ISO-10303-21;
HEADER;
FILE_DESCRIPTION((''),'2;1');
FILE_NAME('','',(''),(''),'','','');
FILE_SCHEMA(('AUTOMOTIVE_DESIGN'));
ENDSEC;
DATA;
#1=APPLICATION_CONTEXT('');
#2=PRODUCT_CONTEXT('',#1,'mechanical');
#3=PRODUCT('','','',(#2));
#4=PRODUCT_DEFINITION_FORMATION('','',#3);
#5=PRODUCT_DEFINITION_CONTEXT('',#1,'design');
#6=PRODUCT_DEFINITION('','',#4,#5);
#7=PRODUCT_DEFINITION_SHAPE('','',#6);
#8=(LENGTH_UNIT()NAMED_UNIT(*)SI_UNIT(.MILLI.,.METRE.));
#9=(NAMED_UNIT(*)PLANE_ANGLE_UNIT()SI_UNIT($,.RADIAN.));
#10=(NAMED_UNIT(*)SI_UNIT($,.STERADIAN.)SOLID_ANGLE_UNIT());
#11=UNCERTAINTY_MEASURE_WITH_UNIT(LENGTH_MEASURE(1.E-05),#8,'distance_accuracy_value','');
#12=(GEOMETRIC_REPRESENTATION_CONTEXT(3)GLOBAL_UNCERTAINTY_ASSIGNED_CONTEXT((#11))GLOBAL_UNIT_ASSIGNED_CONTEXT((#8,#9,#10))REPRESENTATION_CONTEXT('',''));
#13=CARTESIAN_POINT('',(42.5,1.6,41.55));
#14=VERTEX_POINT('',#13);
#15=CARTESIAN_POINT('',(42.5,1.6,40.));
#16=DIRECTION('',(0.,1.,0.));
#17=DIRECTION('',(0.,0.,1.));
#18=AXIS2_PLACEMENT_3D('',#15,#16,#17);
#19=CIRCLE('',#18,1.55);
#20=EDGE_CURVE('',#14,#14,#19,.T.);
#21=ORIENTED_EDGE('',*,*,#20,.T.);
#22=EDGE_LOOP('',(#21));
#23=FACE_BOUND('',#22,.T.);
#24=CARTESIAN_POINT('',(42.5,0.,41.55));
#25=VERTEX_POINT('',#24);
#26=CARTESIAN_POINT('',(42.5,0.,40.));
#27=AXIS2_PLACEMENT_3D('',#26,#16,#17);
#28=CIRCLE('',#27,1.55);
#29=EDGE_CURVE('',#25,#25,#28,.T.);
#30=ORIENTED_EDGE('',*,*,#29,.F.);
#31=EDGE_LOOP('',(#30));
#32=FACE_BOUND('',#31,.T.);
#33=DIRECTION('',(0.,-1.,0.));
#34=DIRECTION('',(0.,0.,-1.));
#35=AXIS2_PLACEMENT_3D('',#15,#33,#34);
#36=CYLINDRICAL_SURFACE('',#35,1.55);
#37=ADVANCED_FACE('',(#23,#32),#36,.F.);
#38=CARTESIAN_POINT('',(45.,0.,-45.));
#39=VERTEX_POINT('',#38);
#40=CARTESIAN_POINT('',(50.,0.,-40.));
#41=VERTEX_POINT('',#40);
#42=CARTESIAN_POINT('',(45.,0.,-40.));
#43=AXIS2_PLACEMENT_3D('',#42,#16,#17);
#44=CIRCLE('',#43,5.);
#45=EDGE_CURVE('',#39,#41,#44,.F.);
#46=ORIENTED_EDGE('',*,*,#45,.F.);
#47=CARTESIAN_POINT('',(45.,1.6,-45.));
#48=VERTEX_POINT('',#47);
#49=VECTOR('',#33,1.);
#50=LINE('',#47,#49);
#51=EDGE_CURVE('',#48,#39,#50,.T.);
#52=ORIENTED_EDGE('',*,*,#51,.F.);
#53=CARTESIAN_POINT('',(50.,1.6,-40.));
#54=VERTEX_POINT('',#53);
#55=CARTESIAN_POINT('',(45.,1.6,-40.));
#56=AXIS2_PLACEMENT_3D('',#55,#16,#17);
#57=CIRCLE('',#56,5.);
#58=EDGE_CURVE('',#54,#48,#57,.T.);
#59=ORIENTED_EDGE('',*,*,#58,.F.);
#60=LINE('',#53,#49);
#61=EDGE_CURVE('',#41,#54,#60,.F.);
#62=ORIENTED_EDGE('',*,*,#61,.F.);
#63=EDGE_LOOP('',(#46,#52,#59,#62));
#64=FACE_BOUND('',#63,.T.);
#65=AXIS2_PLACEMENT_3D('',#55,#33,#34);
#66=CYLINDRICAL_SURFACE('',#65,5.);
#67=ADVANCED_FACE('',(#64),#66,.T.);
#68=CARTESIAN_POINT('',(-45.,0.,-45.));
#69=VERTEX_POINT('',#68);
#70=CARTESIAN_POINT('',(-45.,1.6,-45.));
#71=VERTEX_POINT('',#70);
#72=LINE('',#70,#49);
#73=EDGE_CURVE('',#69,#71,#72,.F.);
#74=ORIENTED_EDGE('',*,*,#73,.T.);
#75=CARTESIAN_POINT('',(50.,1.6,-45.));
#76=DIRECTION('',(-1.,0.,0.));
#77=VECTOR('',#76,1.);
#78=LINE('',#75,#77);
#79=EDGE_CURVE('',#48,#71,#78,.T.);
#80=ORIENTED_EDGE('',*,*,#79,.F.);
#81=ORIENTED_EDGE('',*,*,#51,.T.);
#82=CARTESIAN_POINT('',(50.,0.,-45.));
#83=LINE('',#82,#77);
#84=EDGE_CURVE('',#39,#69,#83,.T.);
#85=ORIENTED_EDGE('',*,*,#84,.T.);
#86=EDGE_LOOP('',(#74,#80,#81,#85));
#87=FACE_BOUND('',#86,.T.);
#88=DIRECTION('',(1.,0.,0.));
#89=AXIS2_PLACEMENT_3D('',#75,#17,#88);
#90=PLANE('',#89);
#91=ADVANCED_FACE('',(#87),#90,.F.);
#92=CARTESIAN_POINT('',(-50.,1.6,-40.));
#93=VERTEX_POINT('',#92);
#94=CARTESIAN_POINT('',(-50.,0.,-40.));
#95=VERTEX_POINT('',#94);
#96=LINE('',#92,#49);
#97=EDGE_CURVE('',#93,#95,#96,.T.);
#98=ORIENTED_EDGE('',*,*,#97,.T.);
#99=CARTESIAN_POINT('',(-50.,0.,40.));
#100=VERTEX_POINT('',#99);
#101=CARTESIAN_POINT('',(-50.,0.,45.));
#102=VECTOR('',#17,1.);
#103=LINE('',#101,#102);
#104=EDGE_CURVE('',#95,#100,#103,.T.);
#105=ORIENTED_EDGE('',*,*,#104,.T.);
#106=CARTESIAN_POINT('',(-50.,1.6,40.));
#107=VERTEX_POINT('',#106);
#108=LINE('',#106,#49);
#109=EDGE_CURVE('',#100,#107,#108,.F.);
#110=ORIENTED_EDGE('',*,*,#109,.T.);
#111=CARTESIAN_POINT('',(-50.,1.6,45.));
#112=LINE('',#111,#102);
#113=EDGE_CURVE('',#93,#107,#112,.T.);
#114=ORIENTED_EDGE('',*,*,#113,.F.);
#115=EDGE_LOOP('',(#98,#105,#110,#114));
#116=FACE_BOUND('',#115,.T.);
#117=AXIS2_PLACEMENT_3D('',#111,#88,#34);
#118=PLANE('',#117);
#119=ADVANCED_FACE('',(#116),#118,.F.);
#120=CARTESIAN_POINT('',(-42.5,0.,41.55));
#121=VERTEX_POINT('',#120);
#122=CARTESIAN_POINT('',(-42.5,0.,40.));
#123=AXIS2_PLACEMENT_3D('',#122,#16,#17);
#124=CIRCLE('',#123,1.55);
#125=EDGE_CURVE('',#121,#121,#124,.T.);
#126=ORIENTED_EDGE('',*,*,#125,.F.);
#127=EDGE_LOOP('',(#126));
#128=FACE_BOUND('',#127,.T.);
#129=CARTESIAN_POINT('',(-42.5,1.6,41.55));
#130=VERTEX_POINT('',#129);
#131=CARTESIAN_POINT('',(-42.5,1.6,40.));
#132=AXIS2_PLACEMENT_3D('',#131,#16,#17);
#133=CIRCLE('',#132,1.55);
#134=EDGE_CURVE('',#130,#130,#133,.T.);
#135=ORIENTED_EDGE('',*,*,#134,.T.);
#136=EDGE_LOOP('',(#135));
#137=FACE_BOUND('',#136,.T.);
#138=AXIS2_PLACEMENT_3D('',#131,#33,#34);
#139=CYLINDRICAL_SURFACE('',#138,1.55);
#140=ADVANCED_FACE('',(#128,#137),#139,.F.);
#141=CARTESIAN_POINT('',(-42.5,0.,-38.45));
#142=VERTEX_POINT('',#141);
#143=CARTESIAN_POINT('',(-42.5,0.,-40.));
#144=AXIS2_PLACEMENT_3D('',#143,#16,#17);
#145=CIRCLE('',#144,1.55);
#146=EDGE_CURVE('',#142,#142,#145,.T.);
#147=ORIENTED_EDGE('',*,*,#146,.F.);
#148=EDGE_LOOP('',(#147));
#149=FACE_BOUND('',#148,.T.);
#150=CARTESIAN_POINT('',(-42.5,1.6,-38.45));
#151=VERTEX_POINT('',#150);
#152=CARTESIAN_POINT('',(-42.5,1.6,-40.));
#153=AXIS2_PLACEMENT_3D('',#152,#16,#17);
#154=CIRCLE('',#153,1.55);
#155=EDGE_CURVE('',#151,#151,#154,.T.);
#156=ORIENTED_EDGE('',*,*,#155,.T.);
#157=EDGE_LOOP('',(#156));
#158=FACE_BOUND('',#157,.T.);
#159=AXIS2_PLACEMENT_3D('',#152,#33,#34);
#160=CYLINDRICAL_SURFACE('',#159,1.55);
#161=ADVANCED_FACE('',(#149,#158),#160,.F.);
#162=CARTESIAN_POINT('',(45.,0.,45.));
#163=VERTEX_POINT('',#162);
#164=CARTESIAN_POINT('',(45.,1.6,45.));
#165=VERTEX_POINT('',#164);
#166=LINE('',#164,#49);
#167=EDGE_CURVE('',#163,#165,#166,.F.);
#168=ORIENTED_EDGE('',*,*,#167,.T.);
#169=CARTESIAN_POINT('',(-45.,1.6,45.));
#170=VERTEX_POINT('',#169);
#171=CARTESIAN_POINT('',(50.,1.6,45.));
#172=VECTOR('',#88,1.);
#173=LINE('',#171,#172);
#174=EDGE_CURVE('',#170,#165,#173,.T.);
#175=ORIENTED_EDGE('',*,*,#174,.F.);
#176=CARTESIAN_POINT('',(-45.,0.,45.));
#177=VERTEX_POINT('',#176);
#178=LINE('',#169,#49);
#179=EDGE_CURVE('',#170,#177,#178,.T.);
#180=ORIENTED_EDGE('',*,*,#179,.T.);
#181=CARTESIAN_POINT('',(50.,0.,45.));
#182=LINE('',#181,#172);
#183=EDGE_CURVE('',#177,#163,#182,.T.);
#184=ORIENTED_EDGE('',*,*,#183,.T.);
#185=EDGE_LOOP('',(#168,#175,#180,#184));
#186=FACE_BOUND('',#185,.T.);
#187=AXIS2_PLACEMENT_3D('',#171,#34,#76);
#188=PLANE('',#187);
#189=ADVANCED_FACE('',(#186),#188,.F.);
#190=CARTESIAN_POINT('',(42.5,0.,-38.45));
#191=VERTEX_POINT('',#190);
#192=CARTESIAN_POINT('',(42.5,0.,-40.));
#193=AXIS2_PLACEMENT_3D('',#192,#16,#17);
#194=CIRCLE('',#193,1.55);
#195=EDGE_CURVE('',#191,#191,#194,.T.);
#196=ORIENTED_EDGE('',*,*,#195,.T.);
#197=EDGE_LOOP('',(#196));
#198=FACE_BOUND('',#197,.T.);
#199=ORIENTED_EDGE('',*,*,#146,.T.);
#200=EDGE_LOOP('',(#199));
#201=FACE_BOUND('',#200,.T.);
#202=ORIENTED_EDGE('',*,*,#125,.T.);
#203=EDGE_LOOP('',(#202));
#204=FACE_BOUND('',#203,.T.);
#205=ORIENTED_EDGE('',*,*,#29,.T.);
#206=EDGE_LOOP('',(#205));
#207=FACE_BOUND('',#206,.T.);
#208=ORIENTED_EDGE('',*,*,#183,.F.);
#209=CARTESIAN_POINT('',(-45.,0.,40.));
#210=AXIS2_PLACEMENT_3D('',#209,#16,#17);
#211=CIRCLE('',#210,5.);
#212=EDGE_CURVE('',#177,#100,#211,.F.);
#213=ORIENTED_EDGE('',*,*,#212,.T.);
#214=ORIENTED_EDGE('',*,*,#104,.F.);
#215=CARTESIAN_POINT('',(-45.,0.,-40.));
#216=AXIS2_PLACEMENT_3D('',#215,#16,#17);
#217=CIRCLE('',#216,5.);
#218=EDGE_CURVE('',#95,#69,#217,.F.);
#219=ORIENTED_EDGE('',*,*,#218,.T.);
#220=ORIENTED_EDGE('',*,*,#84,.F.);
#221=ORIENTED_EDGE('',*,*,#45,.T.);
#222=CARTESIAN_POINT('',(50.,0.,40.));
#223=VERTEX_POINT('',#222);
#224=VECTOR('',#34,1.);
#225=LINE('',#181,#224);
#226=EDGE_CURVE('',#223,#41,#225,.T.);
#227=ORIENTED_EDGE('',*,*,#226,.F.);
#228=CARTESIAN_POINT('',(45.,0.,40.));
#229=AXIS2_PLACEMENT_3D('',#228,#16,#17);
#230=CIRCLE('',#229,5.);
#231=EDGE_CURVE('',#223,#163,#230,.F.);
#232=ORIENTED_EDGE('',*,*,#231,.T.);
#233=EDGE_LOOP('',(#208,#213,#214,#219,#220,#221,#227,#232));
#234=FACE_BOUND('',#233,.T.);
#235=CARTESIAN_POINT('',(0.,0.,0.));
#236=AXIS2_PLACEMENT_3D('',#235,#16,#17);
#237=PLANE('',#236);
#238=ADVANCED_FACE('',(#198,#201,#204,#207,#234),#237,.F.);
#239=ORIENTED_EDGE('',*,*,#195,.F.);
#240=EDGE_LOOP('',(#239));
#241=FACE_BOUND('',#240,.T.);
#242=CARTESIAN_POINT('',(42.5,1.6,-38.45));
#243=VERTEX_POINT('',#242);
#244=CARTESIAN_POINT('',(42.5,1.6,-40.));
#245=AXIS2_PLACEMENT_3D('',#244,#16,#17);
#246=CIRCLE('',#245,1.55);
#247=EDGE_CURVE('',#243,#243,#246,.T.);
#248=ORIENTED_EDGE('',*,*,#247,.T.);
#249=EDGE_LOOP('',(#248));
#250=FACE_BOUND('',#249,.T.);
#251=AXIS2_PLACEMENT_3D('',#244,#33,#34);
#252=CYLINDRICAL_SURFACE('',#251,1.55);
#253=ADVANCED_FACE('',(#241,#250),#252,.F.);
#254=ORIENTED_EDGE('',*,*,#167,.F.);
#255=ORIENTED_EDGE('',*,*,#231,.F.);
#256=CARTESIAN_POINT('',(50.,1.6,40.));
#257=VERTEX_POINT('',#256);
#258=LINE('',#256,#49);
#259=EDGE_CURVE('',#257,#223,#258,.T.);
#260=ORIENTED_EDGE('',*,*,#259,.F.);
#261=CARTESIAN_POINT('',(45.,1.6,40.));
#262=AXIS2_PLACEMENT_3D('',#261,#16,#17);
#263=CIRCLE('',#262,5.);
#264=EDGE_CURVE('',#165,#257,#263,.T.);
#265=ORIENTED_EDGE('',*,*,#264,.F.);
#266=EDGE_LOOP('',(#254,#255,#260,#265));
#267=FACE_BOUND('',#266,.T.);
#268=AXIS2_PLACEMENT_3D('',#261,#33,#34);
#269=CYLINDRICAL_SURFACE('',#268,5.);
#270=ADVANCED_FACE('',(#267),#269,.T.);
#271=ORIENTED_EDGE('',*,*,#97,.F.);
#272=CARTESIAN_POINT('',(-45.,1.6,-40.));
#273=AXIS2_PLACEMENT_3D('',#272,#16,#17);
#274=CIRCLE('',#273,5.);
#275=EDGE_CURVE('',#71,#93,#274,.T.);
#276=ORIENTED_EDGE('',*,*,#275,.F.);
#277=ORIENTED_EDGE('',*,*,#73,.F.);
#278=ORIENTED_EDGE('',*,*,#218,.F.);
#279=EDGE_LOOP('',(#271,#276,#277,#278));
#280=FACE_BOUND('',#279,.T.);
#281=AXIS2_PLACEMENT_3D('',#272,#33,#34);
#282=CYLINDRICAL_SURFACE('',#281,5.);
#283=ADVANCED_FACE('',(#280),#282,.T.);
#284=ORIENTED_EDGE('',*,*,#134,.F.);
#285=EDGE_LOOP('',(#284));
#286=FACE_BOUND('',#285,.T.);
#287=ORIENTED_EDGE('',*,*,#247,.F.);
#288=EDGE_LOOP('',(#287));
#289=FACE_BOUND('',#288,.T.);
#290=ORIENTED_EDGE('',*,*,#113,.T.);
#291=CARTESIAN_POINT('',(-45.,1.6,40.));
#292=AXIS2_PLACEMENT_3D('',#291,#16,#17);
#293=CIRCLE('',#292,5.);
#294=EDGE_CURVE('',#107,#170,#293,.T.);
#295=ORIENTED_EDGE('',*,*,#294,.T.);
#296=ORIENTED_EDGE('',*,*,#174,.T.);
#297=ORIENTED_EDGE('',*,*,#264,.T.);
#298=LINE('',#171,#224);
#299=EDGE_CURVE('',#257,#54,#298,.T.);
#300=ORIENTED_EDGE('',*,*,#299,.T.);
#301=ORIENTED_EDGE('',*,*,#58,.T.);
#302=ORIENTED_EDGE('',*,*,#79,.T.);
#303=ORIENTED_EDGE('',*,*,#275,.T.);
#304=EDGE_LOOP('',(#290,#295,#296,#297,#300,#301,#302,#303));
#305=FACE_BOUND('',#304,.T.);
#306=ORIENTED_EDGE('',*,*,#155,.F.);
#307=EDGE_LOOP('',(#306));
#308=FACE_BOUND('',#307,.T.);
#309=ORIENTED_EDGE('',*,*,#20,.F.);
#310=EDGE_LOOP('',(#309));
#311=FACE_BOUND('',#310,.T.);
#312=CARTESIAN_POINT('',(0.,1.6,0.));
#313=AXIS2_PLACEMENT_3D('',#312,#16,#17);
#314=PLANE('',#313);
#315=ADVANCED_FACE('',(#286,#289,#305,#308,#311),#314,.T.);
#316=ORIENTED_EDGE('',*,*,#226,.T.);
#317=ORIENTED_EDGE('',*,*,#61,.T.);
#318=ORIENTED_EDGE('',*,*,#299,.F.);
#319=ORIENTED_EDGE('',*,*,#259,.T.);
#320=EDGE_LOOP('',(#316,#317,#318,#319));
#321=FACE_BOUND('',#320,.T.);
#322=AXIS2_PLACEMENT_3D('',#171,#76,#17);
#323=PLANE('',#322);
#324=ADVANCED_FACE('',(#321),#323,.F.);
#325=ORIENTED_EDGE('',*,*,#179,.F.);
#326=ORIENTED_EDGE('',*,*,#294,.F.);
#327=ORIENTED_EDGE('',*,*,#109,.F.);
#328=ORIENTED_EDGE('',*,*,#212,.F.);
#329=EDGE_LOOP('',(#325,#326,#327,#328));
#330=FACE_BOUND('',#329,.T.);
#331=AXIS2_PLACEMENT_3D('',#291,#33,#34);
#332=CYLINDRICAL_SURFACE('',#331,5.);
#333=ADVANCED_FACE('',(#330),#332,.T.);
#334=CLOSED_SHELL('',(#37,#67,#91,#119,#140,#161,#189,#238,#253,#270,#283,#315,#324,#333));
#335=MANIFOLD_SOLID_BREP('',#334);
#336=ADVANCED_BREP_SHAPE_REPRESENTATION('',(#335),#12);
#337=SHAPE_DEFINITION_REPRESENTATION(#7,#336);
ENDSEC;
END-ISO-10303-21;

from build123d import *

# Parameters (mm, degrees)
SKETCH_1_W      = 100
SKETCH_1_H      = 90
SKETCH_1_R      = 1.55
EXTRUDE_1_DEPTH = 1.6
FILLET_1_R      = 5


with BuildPart() as part:
    # 草图1 → 凸台-拉伸1 (new body)
    with BuildSketch(Plane(origin=(0, 0, 0), x_dir=(1, 0, 0), z_dir=(0, 1, 0))):
        Rectangle(SKETCH_1_W, SKETCH_1_H)
        with Locations(Location((-42.5, 40, 0), (0, 0, 270))):
            Circle(SKETCH_1_R, mode=Mode.SUBTRACT)
        with Locations(Location((42.5, 40, 0), (0, 0, 270))):
            Circle(SKETCH_1_R, mode=Mode.SUBTRACT)
        with Locations(Location((-42.5, -40, 0), (0, 0, 270))):
            Circle(SKETCH_1_R, mode=Mode.SUBTRACT)
        with Locations(Location((42.5, -40, 0), (0, 0, 270))):
            Circle(SKETCH_1_R, mode=Mode.SUBTRACT)
    extrude(amount=EXTRUDE_1_DEPTH)

    # 圆角1
    fillet_1_edges = [part.edges().sort_by_distance(p)[0] for p in [
        (-50, 0.8, -45),
        (50, 0.8, -45),
        (50, 0.8, 45),
        (-50, 0.8, 45),
    ]]
    fillet(fillet_1_edges, radius=FILLET_1_R)


solid = part.part
